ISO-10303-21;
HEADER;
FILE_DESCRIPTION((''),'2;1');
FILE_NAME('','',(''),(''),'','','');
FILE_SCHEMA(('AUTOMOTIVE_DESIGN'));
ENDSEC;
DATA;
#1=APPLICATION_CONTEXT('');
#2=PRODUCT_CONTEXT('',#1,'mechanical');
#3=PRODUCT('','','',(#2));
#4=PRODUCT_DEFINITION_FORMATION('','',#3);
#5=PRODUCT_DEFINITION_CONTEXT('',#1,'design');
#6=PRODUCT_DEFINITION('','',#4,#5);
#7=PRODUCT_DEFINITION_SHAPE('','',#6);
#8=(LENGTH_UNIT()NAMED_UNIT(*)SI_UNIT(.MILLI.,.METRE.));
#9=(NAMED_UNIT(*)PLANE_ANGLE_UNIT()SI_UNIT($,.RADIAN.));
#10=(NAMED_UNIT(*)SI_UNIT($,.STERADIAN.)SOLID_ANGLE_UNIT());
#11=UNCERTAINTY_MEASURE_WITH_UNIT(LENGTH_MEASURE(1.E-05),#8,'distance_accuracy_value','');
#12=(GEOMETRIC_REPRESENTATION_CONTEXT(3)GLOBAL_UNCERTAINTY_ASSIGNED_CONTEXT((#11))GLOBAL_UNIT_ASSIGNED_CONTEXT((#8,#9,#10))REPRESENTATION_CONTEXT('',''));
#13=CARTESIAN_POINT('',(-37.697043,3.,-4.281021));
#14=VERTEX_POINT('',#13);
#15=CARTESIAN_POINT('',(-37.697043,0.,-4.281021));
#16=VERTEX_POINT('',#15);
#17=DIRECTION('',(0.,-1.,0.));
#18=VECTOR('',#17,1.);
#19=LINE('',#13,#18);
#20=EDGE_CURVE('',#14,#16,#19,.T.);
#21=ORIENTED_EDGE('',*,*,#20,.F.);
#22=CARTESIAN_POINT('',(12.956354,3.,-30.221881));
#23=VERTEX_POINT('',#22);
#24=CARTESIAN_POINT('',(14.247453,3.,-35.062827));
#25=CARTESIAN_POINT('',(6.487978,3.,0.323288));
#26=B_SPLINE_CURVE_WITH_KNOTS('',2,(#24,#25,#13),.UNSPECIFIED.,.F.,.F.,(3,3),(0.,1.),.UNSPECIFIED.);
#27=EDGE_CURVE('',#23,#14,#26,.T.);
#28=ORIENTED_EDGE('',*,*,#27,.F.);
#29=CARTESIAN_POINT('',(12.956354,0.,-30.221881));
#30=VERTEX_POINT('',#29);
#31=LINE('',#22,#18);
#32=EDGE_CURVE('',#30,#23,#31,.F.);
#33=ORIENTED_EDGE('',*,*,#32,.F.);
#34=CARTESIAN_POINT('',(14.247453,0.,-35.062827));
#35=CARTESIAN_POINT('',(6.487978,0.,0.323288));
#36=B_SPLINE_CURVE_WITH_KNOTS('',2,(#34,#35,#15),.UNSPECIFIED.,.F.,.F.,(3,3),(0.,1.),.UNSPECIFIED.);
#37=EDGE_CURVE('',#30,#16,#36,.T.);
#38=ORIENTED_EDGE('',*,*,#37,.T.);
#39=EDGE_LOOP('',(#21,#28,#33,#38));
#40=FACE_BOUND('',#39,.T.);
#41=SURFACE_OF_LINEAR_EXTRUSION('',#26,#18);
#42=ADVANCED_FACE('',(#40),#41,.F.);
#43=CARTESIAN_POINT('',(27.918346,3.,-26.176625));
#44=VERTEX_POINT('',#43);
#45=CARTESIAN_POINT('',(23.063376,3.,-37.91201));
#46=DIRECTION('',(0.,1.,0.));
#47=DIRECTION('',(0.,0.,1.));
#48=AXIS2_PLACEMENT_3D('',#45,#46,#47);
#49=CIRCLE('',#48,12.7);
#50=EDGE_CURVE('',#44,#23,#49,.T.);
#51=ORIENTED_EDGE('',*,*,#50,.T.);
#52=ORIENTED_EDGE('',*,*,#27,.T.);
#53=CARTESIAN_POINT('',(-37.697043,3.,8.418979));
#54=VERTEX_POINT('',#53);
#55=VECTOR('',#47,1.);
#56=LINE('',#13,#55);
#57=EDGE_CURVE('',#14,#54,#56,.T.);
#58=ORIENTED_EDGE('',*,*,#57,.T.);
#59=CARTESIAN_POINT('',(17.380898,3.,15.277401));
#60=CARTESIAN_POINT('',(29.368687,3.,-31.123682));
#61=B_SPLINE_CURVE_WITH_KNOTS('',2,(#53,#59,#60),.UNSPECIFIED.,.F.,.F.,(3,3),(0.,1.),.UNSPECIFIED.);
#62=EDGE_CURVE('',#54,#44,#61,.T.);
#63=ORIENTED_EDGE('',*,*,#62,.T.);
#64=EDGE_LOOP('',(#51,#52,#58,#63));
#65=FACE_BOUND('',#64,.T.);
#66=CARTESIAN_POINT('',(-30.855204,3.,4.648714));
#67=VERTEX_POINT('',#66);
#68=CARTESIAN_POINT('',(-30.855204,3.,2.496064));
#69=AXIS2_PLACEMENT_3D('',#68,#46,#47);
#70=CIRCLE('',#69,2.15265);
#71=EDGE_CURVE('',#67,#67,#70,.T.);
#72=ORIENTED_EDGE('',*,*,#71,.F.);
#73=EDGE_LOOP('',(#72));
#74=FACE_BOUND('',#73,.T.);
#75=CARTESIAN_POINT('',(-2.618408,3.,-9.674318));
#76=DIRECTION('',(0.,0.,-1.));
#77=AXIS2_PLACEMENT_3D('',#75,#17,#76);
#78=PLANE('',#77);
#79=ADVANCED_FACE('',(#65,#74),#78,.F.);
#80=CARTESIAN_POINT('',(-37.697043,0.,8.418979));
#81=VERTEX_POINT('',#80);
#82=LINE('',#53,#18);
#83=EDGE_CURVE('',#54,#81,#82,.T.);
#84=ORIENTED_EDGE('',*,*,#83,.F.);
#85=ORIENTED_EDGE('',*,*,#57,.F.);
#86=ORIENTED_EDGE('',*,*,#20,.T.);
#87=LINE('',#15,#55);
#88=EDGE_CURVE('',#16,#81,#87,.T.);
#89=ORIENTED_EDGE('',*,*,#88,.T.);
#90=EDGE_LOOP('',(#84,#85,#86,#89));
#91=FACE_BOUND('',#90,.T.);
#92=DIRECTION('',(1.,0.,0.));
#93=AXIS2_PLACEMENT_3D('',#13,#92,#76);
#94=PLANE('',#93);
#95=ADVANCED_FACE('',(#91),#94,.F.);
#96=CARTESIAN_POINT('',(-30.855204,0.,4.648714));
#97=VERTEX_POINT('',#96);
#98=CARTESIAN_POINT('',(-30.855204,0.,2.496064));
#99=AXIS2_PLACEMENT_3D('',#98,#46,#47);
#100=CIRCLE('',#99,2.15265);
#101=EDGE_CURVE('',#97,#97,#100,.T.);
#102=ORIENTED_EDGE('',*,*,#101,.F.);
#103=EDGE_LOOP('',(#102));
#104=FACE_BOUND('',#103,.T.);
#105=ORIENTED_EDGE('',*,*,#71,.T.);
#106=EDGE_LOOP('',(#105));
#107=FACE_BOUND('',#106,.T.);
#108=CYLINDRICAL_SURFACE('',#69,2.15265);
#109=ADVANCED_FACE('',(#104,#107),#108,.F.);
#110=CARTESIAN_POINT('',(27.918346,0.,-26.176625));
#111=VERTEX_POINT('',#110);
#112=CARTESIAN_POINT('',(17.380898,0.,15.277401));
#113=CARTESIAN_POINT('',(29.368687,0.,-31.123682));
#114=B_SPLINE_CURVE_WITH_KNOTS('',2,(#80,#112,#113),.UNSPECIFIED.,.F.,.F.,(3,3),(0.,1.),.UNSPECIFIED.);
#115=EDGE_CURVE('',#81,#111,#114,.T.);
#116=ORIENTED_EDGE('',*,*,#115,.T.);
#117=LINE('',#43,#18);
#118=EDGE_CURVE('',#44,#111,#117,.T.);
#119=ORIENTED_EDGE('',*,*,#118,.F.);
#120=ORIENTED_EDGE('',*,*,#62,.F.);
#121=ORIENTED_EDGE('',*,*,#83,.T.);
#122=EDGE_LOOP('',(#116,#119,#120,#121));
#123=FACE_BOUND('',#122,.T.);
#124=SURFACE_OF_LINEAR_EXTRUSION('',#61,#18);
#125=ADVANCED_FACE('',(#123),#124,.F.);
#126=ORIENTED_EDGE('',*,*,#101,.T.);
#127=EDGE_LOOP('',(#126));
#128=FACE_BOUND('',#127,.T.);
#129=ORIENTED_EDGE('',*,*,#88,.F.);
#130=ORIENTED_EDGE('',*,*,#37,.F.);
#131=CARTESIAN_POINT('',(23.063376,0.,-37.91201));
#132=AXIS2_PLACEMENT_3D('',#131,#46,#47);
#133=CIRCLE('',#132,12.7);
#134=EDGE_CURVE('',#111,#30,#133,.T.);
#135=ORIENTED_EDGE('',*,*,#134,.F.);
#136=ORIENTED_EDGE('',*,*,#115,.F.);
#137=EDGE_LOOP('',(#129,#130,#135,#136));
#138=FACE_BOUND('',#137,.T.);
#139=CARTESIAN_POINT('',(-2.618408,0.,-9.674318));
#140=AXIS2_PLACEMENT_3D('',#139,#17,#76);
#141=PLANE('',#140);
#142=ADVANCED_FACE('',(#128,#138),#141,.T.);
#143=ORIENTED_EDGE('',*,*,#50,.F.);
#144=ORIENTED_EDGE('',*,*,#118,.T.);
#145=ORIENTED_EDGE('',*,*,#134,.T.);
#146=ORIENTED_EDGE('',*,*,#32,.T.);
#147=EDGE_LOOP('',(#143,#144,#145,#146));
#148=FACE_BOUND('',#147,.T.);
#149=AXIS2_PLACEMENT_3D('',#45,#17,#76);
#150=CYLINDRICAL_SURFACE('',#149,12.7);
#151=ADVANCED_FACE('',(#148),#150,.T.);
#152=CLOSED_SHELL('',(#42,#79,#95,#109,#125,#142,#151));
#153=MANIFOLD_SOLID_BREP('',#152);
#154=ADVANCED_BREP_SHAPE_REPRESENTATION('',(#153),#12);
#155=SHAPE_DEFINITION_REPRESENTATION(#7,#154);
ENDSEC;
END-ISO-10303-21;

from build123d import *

# Parameters (mm, degrees)
BOSS_EXTRUDE1_DEPTH   = 3
SKETCH3_R             = 12.7
BOSS_EXTRUDE2_DEPTH   = 3
F_8_CLEARANCE_HOLE1_D = 4.3053


with BuildPart() as part:
    # Sketch2 → Boss-Extrude1 (new body)
    with BuildSketch(Plane(origin=(0, 0, 0), x_dir=(1, 0, 0), z_dir=(0, 1, 0))):
        with BuildLine():
            Line((-37.697043062, 4.281020581), (-37.697043062, -8.418979419))
            add(Edge.make_bspline(
                [(-37.697043062, -8.418979419), (17.380898097, -15.277400847), (29.368687451, 31.123681561)],
                knots=[0, 0, 0, 1, 1, 1], degree=2))
            Line((29.368687451, 31.123681561), (14.247453118, 35.062826639))
            add(Edge.make_bspline(
                [(-37.697043062, 4.281020581), (6.487978336, -0.323288205), (14.247453118, 35.062826639)],
                knots=[0, 0, 0, 1, 1, 1], degree=2))
        make_face()
    extrude(amount=BOSS_EXTRUDE1_DEPTH)

    # Sketch3 → Boss-Extrude2 (add)
    with BuildSketch(Plane(origin=(0, 0, 0), x_dir=(1, 0, 0), z_dir=(0, 1, 0))):
        with Locations((23.06337647, 37.912010101)):
            Circle(SKETCH3_R)
    extrude(amount=BOSS_EXTRUDE2_DEPTH)

    # #8 Clearance Hole1 (through all)
    with Locations(Plane(origin=(0, 3, 0), x_dir=(1, 0, 0), z_dir=(0, 1, 0))):
        with Locations((-30.855203609, -2.496063835)):
            Hole(F_8_CLEARANCE_HOLE1_D / 2)


solid = part.part
